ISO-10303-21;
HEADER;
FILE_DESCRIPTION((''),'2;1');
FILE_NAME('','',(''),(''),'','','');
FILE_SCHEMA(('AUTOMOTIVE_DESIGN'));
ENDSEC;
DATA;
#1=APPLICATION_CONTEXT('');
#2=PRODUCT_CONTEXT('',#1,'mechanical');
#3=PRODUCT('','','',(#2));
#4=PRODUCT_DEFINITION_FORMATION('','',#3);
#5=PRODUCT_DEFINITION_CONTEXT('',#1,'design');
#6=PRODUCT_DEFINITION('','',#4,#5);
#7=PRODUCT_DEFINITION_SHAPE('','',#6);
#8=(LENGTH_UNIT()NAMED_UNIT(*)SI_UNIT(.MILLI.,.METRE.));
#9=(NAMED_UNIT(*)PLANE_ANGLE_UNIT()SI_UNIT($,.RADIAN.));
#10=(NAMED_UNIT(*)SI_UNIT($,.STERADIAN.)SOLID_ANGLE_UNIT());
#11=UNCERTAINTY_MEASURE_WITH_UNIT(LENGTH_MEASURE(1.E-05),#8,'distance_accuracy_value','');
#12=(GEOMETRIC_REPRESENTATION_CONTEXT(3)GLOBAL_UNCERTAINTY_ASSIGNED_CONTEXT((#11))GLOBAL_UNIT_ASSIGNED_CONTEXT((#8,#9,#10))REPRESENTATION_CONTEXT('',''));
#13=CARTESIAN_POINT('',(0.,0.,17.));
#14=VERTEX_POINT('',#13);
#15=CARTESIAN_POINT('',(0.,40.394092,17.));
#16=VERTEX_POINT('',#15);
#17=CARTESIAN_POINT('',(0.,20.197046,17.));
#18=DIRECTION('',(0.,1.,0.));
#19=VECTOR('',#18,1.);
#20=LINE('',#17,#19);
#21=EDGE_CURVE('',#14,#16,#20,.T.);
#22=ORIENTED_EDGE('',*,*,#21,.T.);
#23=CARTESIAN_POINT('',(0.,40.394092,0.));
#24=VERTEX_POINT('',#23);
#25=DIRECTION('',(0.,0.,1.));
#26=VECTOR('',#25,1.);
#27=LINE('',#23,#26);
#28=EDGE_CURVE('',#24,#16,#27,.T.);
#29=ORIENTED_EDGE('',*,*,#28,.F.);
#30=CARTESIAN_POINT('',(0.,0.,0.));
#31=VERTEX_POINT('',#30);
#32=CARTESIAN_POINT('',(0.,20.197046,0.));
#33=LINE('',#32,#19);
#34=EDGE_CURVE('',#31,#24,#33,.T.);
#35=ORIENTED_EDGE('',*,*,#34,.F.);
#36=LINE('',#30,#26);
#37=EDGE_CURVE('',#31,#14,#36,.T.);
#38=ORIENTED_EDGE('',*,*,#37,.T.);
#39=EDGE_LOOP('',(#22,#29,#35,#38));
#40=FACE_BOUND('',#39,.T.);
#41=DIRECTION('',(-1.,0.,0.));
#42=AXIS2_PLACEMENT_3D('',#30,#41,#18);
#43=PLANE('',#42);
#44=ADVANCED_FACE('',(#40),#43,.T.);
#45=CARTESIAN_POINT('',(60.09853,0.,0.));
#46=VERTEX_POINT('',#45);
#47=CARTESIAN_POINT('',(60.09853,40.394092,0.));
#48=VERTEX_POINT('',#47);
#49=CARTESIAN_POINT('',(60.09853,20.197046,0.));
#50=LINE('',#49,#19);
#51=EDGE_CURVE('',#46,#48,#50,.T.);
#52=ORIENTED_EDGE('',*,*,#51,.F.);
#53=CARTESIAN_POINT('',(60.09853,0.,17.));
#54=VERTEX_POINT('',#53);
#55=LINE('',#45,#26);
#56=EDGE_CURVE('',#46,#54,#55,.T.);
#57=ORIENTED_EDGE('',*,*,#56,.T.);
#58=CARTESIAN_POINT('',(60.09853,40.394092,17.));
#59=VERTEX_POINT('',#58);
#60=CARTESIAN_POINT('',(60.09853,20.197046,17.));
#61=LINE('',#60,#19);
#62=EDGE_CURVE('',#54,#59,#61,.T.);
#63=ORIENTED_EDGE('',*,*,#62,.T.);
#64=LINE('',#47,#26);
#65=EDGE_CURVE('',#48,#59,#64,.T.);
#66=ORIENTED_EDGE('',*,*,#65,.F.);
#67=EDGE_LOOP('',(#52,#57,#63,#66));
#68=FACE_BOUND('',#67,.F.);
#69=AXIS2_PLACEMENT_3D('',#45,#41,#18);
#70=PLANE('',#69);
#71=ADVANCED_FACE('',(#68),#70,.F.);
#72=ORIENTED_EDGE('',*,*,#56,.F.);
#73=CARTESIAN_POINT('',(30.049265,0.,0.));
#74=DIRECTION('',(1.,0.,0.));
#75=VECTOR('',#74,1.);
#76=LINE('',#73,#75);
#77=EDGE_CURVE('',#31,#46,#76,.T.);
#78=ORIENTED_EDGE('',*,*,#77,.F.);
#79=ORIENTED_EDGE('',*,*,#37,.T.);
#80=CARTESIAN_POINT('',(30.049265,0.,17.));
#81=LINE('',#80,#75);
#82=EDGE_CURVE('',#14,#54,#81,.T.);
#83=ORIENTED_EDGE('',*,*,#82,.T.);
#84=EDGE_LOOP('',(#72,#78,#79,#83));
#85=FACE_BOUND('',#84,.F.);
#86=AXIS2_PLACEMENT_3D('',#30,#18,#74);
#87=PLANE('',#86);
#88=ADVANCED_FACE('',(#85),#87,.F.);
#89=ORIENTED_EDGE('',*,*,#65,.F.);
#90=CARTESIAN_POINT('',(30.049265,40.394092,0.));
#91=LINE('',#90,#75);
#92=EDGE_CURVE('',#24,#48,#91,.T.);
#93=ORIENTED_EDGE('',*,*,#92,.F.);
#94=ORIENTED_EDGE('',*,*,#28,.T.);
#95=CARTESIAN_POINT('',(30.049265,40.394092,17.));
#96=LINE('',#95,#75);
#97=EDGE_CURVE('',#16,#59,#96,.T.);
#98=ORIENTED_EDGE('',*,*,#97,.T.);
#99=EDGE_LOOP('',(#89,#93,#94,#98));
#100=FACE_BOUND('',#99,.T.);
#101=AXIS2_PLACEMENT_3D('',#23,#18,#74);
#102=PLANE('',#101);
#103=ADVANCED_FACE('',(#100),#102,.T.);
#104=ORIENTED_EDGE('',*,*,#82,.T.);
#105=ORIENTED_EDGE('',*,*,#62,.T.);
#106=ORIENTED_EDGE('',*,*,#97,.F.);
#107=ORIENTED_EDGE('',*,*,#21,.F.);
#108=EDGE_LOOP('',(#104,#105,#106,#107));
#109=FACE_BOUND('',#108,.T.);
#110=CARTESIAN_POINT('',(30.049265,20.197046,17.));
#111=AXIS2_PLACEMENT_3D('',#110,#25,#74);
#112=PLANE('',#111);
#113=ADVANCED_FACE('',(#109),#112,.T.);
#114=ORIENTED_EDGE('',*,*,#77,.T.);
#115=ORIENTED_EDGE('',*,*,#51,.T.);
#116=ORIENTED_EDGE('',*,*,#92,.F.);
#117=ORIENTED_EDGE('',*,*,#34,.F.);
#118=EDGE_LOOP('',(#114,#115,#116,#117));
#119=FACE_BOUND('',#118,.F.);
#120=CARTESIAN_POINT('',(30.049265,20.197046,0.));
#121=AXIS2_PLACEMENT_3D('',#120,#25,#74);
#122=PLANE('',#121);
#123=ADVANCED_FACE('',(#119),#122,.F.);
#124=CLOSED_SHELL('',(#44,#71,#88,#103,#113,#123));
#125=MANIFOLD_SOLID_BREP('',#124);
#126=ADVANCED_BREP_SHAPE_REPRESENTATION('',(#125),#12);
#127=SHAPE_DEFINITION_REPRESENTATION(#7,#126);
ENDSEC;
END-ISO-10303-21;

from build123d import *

# Parameters (mm, degrees)
SKETCH_W  = 60.09853
SKETCH_H  = 40.394093
PAD_DEPTH = 17


with BuildPart() as part:
    # Sketch → Pad (new body)
    with BuildSketch(Plane.XY):
        with Locations((30.049265, 20.197046)):
            Rectangle(SKETCH_W, SKETCH_H)
    extrude(amount=PAD_DEPTH)


solid = part.part
